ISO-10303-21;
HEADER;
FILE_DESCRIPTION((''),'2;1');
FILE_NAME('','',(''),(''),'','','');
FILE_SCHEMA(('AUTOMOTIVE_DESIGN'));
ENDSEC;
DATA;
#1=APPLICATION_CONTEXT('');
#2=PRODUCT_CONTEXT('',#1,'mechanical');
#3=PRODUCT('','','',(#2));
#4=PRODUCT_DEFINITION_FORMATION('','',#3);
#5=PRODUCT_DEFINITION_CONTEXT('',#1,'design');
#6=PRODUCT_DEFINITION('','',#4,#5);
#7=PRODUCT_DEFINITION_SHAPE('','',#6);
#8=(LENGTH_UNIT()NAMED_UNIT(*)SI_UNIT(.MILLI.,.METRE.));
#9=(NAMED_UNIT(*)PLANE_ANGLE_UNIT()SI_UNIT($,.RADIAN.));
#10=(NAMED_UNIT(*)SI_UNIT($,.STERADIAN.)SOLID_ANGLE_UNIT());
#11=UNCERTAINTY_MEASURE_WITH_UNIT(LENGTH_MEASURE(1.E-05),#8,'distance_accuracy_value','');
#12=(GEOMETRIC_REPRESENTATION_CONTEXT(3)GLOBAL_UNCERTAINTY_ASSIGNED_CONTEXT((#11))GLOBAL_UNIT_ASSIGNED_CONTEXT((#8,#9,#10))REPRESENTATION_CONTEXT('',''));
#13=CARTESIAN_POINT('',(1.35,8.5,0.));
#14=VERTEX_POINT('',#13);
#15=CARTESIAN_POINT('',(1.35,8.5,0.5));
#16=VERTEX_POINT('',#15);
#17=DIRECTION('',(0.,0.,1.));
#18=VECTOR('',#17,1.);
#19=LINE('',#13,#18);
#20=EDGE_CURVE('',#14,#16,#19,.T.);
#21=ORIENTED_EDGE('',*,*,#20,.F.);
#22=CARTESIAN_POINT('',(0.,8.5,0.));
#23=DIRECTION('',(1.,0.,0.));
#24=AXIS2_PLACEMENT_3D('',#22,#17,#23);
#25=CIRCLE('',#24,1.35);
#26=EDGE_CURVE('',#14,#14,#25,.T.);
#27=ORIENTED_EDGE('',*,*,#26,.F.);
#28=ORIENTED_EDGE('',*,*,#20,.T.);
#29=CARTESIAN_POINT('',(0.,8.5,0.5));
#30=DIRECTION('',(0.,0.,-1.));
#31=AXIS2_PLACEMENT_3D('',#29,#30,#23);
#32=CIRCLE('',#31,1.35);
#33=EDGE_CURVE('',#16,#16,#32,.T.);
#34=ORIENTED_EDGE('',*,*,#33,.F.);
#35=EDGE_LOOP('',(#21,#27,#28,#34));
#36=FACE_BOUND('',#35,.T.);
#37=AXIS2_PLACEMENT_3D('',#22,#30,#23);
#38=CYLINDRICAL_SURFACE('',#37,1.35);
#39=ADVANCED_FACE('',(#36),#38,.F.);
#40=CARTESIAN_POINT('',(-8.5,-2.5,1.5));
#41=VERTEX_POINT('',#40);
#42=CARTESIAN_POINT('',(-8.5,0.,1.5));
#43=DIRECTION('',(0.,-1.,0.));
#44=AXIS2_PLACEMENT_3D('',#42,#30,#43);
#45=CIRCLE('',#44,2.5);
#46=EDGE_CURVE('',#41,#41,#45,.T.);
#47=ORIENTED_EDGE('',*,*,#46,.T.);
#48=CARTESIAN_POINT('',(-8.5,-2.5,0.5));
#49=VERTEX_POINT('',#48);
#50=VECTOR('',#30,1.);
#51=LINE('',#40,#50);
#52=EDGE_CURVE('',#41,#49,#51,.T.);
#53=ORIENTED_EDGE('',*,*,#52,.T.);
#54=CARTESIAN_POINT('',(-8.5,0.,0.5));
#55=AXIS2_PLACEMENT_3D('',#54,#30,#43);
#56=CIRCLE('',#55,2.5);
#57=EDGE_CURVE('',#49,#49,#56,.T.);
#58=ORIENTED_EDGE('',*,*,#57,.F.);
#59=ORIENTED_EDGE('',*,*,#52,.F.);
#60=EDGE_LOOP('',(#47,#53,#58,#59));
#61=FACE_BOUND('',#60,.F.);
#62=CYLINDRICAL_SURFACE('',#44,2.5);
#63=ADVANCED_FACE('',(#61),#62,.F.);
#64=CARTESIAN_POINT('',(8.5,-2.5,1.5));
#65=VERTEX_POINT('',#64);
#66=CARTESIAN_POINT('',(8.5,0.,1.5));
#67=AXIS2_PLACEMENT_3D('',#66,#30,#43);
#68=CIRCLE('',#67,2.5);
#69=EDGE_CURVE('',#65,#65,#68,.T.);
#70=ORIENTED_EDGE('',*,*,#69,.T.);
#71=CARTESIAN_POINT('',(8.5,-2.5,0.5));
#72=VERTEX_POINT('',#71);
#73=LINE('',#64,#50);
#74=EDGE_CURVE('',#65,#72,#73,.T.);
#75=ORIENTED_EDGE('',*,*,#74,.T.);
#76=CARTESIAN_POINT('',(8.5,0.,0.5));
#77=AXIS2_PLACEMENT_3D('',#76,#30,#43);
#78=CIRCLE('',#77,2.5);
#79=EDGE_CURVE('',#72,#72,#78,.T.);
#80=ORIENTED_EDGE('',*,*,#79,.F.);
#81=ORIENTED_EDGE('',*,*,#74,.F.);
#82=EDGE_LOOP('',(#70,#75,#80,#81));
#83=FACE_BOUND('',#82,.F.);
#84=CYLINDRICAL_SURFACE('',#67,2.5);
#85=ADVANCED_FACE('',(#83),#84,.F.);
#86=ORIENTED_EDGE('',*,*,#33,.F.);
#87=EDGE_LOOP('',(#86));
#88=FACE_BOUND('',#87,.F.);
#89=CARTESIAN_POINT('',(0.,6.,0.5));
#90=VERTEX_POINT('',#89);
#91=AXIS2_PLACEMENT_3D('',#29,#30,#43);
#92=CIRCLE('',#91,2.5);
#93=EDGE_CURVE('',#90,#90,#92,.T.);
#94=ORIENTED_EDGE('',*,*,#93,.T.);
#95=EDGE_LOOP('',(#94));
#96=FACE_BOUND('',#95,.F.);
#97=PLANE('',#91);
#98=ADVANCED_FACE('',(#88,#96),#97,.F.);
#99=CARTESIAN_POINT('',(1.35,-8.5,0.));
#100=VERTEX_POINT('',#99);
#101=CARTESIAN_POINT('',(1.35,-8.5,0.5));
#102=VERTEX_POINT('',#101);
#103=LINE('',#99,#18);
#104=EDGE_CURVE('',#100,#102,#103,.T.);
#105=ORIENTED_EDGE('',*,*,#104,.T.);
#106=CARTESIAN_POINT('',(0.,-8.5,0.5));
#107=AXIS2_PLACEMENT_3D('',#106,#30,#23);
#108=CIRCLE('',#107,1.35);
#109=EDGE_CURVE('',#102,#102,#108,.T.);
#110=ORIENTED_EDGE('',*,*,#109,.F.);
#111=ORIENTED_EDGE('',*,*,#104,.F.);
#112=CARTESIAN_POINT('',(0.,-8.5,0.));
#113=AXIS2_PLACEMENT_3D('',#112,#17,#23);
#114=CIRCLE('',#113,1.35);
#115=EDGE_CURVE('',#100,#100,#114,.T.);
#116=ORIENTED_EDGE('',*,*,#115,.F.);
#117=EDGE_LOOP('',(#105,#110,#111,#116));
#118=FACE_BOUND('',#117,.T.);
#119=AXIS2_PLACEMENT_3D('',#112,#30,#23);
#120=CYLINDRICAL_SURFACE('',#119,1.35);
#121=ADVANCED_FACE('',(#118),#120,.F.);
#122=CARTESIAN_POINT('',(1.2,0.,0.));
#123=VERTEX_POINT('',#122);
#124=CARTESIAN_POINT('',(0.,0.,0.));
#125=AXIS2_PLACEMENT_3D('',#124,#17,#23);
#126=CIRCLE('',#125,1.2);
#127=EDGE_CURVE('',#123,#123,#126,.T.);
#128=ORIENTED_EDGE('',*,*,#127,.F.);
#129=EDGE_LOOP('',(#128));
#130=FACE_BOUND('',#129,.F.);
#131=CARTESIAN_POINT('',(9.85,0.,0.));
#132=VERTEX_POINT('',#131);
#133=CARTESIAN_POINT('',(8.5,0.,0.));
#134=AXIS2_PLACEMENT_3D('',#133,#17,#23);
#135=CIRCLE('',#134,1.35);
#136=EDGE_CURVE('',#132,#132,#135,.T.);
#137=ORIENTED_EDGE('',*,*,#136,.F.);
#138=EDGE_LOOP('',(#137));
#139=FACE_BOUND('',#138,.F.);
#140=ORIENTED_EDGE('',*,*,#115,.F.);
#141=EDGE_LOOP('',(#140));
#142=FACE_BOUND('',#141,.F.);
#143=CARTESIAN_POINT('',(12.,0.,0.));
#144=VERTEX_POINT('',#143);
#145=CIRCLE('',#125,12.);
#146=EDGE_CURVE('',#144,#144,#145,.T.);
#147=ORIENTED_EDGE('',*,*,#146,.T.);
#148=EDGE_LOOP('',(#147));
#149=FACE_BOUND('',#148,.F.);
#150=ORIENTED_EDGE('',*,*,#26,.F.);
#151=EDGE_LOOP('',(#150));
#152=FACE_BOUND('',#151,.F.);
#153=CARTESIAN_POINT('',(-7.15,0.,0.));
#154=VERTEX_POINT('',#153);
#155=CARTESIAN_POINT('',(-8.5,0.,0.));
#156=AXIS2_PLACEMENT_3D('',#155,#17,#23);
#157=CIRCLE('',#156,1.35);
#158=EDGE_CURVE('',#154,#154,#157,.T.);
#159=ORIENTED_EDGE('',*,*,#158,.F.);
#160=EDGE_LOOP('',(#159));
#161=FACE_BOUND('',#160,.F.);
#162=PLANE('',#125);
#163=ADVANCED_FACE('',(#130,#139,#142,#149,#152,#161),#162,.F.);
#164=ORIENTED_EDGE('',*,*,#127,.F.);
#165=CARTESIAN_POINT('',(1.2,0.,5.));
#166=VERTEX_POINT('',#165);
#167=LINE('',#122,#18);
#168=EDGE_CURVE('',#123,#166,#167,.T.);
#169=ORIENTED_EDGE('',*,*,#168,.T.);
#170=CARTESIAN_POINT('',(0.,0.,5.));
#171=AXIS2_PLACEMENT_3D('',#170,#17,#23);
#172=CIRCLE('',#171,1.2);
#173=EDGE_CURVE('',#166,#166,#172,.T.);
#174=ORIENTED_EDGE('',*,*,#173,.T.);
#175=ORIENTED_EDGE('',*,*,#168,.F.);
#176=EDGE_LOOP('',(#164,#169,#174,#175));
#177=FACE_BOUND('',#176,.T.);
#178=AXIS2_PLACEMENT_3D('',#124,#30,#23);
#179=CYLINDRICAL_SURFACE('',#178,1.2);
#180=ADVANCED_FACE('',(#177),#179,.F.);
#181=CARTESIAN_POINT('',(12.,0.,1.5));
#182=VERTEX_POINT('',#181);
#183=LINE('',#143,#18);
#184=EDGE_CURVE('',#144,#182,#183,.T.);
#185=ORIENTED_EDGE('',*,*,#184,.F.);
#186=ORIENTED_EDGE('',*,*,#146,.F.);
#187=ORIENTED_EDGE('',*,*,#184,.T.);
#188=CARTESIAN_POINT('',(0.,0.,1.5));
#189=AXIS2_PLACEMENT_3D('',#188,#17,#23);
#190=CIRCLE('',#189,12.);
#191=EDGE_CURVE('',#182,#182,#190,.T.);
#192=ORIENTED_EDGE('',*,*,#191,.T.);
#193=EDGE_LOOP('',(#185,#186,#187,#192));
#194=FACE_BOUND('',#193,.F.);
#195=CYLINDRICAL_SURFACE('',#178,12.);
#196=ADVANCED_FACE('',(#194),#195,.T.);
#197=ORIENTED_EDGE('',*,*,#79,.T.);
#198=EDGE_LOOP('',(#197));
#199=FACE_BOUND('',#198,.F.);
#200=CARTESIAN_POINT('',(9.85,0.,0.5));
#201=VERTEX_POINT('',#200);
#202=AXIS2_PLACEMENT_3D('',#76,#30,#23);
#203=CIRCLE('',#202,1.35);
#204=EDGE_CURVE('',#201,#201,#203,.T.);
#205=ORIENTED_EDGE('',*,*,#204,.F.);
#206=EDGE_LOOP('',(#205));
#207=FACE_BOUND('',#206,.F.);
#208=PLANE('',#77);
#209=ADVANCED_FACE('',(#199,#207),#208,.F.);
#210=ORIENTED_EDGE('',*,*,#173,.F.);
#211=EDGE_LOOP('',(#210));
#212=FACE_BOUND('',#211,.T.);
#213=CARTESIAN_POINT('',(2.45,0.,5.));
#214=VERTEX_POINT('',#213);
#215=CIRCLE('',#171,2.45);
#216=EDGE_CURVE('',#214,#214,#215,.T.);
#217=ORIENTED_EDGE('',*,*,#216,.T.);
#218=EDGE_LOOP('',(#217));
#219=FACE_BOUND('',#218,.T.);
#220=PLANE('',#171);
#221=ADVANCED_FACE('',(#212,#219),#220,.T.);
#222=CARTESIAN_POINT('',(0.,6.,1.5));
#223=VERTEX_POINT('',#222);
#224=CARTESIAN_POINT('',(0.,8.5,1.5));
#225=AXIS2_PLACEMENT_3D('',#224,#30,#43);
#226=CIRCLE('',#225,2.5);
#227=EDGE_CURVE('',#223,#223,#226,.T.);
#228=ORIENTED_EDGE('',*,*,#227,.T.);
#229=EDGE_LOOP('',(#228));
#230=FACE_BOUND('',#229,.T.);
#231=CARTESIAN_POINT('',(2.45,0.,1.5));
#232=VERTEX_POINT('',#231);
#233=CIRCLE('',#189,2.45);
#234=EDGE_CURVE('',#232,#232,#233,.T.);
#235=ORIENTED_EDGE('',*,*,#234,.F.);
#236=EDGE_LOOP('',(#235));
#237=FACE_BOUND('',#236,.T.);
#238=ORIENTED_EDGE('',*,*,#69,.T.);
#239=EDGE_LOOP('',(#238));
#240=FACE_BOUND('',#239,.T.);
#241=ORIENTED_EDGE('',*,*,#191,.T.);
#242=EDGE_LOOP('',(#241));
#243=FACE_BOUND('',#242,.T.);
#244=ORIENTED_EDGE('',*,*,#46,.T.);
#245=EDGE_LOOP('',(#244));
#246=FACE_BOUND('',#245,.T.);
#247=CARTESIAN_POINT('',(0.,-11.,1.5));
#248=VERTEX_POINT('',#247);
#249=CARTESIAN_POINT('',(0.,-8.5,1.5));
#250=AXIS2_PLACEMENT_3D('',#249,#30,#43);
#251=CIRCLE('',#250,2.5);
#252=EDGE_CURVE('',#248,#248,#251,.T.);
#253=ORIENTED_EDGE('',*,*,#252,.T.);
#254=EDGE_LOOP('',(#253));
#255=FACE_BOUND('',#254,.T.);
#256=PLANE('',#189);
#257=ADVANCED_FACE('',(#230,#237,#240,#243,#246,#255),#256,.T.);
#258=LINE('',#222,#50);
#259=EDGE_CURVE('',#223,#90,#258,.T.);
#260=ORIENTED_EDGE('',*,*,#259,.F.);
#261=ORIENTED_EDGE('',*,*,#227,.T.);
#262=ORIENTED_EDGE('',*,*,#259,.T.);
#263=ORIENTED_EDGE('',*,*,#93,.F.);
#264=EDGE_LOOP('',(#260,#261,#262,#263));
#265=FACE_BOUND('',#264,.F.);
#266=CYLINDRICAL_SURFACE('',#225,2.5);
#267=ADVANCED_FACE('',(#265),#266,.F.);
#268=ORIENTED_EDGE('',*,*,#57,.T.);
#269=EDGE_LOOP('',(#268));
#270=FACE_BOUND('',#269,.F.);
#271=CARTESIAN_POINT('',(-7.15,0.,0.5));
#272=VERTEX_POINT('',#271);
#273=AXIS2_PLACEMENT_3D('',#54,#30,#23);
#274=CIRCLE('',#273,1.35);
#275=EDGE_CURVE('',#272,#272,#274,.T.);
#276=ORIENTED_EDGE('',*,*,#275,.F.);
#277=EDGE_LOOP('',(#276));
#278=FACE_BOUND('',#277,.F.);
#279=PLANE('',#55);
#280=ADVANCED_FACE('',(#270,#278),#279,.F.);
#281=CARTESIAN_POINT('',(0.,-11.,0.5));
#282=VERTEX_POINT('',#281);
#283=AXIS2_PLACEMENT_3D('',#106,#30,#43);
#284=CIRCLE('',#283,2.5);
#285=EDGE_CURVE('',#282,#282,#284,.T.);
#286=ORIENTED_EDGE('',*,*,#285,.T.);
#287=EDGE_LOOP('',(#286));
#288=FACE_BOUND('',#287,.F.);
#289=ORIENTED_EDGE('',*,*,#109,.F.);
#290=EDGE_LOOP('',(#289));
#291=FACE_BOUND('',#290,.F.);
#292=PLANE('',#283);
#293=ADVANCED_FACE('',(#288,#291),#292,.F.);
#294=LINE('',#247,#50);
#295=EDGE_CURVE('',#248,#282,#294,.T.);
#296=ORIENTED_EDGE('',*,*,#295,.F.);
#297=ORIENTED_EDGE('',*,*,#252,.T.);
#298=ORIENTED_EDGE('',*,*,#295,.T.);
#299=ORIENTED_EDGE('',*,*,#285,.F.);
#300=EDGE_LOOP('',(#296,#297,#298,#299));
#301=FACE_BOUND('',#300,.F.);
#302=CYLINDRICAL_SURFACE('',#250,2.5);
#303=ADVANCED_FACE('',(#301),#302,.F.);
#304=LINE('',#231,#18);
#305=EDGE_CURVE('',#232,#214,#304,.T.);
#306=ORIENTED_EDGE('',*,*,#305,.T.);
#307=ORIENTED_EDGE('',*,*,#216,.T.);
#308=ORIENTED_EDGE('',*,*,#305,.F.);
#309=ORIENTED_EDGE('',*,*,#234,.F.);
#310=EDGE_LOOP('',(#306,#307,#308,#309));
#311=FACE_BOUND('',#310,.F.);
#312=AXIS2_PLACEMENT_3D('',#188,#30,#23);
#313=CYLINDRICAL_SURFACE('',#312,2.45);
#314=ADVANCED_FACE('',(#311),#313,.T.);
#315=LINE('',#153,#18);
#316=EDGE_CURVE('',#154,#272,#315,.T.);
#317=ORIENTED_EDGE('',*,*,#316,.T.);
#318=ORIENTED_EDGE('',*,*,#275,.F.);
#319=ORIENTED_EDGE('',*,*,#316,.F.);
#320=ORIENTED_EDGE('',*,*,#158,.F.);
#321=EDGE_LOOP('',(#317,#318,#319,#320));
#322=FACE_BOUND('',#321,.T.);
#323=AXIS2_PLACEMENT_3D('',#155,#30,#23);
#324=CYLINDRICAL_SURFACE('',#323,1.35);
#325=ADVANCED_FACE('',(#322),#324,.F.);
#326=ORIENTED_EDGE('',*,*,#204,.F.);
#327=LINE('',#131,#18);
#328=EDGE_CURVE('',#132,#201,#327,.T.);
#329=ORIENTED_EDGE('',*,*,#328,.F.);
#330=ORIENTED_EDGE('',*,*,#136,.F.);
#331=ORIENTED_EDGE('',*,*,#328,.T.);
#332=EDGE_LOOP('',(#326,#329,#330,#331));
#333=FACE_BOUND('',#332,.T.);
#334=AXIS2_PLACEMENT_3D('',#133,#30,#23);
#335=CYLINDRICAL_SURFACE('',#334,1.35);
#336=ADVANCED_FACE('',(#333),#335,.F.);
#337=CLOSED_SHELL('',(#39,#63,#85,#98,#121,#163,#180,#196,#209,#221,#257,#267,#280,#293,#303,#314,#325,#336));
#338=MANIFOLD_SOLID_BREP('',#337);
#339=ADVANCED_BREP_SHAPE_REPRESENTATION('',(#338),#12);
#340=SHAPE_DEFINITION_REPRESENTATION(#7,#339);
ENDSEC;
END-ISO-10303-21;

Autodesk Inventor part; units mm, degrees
ref_plane "YZ Plane" through (0, 0, 0) normal (1, 0, 0) x (0, 1, 0)
ref_plane "XZ Plane" through (0, 0, 0) normal (0, 1, 0) x (-1, 0, 0)
ref_plane "XY Plane" through (0, 0, 0) normal (0, 0, 1) x (1, 0, 0)
sketch "スケッチ1" plane through (0, 0, 0) normal (0, 0, 1) x (1, 0, 0)
  circle A0 centre (0, 0) radius 12
  circle A1 centre (0, 8.5) radius 1.35
  circle A2 centre (0, 0) radius 1.2
  circle A3 centre (-8.5, 0) radius 1.35
  circle A4 centre (0, -8.5) radius 1.35
  circle A5 centre (8.5, 0) radius 1.35
  dimension "d0" = 2.7
  dimension "d1" = 8.5
  dimension "d2" = 24
  dimension "d3" = 2.4
  dimension "d6" = 360
extrude "押し出し1" add sketch "スケッチ1" along normal blind 1.5
sketch "スケッチ2" plane through (0, 0, 1.5) normal (0, 0, 1) x (1, 0, 0)
  circle A0 centre (0, 0) radius 1.2 projected
  circle A1 centre (0, 0) radius 12 projected
  circle A2 centre (0, 0) radius 2.45
  dimension "d10" = 4.9
extrude "押し出し2" add sketch "スケッチ2" along normal blind 3.5 contours A2
sketch "スケッチ3" plane through (0, 0, 1.5) normal (0, 0, 1) x (1, 0, 0)
  circle A0 centre (0, 0) radius 2.45 projected
  circle A1 centre (0, 8.5) radius 1.35 projected
  point P0 (-8.5, 0)
  point P1 (0, -8.5)
  point P2 (8.5, 0)
  dimension "d15" = 360
hole "穴1" at (0, 8.5, 1.5) at (-8.5, 0, 1.5) at (0, -8.5, 1.5) at (8.5, 0, 1.5) direction (0, 0, -1) diameter 5 depth 1
properties part number "足首_独立ピッチ_1_2" material "アルミニウム 2014-T4"
